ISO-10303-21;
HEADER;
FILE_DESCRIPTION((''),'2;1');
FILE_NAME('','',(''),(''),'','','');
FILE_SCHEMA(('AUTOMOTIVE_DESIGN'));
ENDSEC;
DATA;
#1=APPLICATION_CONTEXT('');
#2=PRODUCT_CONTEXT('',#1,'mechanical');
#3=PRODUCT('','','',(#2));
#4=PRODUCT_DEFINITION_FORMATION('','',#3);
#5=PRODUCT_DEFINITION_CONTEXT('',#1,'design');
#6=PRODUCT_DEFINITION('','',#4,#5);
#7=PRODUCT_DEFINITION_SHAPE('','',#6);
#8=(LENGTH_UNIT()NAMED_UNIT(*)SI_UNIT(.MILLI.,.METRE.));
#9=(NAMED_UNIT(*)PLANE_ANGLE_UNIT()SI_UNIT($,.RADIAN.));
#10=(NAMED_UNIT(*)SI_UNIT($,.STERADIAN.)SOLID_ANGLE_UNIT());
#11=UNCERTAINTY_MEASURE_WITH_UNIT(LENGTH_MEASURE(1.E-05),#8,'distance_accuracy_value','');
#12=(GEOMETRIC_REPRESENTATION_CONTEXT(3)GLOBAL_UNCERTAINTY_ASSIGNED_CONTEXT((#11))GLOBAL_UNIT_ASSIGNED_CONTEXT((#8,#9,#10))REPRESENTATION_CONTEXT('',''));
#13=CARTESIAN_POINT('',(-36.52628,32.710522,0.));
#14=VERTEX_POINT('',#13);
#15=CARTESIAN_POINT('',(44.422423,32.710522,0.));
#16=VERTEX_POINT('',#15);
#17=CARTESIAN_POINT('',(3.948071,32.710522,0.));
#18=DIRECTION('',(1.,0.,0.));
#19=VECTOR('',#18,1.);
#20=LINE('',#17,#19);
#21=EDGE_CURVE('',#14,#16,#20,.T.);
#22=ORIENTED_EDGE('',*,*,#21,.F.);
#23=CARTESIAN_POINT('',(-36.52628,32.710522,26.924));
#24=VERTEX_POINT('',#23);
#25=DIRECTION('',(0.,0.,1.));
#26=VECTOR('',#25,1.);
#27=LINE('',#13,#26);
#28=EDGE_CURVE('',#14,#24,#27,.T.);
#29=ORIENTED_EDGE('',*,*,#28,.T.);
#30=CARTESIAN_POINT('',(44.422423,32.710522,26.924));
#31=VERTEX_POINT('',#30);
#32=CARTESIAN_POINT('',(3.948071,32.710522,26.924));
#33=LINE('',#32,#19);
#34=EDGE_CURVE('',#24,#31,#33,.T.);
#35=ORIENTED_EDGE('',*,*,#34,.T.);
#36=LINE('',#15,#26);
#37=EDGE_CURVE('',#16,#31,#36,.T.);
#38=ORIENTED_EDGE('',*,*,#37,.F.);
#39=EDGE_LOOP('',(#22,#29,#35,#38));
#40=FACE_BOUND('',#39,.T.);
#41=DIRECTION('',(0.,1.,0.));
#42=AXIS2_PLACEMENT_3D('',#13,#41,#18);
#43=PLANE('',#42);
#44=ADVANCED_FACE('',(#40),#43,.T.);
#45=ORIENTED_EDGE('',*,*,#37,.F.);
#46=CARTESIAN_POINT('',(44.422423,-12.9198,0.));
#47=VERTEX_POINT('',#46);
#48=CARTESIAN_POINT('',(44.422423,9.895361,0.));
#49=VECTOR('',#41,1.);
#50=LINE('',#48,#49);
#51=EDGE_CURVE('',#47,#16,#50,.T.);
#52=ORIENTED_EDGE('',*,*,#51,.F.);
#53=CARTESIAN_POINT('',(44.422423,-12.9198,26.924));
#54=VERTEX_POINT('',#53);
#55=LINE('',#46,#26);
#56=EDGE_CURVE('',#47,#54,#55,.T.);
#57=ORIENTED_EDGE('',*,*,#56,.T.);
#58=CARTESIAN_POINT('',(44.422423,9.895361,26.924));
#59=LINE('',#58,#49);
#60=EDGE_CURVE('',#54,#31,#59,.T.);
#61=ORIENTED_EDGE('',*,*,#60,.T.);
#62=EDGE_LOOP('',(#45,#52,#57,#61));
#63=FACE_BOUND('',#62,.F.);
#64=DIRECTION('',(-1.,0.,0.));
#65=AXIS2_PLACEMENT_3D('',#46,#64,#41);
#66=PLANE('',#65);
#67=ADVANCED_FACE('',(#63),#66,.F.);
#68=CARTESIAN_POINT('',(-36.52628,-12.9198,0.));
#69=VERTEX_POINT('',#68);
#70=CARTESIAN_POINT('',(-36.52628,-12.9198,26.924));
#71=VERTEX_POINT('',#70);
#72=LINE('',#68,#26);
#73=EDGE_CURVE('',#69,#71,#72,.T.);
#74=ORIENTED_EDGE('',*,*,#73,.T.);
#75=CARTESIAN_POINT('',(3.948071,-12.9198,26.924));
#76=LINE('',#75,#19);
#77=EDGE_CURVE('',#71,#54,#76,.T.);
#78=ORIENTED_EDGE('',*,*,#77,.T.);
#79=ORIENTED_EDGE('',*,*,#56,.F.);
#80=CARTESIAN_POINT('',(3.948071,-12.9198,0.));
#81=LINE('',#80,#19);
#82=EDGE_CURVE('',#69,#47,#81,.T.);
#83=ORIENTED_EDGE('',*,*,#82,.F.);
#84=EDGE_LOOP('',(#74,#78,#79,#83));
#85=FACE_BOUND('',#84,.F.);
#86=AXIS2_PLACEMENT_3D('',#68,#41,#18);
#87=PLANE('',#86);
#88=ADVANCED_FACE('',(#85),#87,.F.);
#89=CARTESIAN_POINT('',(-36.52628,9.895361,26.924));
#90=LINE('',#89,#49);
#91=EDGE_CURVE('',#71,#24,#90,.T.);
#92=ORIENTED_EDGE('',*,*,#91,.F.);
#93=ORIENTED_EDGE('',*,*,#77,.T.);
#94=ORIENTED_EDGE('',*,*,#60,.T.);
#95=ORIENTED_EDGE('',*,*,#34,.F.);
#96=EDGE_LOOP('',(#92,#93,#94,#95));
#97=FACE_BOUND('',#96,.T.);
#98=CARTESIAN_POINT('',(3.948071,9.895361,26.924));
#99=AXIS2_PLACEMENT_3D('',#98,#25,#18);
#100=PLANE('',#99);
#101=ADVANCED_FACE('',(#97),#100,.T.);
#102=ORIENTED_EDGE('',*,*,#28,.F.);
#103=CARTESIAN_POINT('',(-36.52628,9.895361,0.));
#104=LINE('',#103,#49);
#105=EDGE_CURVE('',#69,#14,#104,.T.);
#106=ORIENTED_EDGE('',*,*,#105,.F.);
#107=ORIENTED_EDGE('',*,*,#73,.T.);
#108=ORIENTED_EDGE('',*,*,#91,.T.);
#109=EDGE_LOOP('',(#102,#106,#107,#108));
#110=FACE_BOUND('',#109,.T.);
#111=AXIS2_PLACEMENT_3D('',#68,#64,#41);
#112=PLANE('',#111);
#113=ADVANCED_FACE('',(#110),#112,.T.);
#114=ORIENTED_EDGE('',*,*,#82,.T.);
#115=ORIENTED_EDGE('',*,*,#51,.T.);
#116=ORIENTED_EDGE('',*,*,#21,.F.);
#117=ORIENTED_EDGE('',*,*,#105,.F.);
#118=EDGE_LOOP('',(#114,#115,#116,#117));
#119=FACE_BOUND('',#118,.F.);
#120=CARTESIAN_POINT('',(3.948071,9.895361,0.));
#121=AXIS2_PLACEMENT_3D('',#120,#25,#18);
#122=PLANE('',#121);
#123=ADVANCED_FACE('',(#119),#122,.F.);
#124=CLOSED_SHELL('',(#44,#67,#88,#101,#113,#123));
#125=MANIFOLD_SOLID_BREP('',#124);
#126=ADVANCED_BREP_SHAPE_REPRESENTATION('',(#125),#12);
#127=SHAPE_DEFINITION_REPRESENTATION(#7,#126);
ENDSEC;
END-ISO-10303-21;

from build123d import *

# Parameters (mm, degrees)
F0_W     = 80.948703
F0_H     = 45.630322
F1_DEPTH = 26.924
F2_W     = 6.187161
F2_H     = 23.429776
F3_DEPTH = 25.4
F4_R     = 10.198526
F5_DEPTH = 26.924


with BuildPart() as f1:
    # F0 (on Top) → F1 (new body)
    with BuildSketch(Plane.XY):
        with Locations((3.948071, 9.895361)):
            Rectangle(F0_W, F0_H)
    extrude(amount=F1_DEPTH)

    # F2 (on Top) → F3 (join)
    with BuildSketch(Plane.XY):
        with BuildLine():
            ThreePointArc((-20.002084, 23.429776), (-23.095665, 26.523356), (-26.189245, 23.429776))
            Line((-26.189245, 23.429776), (-20.002084, 23.429776))
        make_face()
        with Locations((-23.095664, 11.714888)):
            Rectangle(F2_W, F2_H)
        with BuildLine():
            Line((-20.002084, 0), (-26.189245, 0))
            ThreePointArc((-26.189245, 0), (-23.095665, -3.093581), (-20.002084, 0))
        make_face()
    extrude(amount=F3_DEPTH)

    # F4 (on Top) → F5 (join)
    with BuildSketch(Plane.XY):
        with Locations((21.245664, 8.993065)):
            Circle(F4_R)
    extrude(amount=F5_DEPTH)


solid = f1.part
